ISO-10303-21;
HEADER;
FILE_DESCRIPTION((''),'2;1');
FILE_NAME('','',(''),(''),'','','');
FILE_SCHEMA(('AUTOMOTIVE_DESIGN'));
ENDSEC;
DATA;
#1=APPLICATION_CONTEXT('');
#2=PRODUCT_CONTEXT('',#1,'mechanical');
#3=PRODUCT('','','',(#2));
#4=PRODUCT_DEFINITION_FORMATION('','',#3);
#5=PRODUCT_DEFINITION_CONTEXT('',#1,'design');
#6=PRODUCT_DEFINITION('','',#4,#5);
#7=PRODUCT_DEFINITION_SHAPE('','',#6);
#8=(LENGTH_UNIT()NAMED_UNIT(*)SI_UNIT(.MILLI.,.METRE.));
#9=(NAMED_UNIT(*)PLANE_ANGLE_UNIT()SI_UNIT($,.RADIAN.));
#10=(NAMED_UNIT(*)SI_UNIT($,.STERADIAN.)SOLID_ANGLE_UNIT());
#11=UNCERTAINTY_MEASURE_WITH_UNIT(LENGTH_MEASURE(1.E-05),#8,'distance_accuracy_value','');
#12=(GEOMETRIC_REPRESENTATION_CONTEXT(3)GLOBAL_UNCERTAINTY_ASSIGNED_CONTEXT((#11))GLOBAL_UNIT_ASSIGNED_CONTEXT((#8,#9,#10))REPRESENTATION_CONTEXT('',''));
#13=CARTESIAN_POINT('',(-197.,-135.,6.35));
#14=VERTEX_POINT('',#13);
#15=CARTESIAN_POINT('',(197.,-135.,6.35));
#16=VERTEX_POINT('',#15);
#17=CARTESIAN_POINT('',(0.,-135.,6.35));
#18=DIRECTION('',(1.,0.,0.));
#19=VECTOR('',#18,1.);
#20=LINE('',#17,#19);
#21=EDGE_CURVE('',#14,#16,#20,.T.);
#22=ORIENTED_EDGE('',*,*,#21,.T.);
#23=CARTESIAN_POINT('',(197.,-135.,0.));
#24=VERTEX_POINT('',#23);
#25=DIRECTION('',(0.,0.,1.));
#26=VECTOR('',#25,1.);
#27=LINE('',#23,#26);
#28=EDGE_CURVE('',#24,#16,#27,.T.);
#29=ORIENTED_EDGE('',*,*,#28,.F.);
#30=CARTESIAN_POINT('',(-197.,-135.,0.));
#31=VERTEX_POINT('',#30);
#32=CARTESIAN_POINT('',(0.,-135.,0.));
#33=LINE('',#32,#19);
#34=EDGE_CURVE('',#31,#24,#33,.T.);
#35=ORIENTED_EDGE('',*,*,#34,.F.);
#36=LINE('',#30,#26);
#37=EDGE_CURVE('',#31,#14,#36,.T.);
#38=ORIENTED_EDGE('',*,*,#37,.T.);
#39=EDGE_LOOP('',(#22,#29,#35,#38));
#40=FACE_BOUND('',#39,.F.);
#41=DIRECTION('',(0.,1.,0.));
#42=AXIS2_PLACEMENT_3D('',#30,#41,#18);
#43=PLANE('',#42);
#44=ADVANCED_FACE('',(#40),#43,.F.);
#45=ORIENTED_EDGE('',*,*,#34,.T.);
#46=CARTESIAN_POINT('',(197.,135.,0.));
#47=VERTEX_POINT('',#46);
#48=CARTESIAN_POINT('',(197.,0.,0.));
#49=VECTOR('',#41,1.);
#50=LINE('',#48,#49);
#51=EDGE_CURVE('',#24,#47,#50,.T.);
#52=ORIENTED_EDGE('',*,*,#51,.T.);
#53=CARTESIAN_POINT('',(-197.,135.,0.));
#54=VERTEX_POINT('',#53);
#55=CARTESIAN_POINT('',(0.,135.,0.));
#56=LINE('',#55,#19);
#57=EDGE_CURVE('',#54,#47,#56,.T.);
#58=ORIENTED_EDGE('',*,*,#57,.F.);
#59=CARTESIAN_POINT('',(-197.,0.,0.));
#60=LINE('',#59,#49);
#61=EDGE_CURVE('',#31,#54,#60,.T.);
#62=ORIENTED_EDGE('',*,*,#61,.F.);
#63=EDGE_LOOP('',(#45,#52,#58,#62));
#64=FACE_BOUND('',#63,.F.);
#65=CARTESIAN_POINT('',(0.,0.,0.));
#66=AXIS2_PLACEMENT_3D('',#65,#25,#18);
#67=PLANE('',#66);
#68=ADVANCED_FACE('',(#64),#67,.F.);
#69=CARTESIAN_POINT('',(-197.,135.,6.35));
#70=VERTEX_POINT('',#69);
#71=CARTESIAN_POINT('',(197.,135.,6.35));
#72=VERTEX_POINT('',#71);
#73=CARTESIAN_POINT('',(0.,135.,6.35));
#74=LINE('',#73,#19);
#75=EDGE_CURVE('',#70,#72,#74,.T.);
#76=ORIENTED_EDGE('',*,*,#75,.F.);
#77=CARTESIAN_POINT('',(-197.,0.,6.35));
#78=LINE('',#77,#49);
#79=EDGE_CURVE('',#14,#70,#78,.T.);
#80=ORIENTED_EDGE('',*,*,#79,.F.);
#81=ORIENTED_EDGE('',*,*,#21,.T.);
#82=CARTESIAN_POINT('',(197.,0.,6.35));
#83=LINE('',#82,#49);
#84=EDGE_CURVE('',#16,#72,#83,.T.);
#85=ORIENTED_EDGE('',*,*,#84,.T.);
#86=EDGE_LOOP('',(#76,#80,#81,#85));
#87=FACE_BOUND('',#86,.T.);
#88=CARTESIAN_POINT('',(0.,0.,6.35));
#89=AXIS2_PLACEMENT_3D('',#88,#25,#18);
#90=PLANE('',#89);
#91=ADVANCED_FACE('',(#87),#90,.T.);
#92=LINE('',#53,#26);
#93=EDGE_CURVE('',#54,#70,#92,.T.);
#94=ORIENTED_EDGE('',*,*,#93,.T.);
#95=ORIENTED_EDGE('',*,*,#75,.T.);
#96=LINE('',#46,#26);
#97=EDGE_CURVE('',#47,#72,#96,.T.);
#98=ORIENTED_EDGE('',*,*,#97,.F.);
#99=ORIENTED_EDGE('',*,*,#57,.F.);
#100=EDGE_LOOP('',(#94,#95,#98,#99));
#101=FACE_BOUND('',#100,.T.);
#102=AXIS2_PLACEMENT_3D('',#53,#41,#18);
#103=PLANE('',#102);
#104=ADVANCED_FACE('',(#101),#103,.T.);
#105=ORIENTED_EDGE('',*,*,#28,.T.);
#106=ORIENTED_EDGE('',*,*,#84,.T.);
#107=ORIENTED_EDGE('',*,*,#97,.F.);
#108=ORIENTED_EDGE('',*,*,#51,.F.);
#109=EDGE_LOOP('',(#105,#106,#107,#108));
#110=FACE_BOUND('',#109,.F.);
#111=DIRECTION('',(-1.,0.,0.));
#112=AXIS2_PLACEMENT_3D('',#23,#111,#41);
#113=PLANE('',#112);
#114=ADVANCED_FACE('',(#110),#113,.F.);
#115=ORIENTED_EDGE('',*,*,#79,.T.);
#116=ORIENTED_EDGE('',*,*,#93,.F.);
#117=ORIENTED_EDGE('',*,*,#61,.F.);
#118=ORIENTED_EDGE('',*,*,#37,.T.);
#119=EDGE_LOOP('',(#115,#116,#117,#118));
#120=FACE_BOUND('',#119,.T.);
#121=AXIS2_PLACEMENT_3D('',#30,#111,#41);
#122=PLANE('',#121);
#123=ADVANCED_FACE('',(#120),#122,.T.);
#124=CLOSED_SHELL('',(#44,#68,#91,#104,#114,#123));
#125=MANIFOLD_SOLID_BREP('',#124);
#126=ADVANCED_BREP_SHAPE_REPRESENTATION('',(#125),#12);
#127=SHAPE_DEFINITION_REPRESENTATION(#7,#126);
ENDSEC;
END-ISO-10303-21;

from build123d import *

# Parameters (mm, degrees)
SKETCH_W  = 394
SKETCH_H  = 270
PAD_DEPTH = 6.35


with BuildPart() as part:
    # Sketch → Pad (new body)
    with BuildSketch(Plane.XY):
        Rectangle(SKETCH_W, SKETCH_H)
    extrude(amount=PAD_DEPTH)


solid = part.part
